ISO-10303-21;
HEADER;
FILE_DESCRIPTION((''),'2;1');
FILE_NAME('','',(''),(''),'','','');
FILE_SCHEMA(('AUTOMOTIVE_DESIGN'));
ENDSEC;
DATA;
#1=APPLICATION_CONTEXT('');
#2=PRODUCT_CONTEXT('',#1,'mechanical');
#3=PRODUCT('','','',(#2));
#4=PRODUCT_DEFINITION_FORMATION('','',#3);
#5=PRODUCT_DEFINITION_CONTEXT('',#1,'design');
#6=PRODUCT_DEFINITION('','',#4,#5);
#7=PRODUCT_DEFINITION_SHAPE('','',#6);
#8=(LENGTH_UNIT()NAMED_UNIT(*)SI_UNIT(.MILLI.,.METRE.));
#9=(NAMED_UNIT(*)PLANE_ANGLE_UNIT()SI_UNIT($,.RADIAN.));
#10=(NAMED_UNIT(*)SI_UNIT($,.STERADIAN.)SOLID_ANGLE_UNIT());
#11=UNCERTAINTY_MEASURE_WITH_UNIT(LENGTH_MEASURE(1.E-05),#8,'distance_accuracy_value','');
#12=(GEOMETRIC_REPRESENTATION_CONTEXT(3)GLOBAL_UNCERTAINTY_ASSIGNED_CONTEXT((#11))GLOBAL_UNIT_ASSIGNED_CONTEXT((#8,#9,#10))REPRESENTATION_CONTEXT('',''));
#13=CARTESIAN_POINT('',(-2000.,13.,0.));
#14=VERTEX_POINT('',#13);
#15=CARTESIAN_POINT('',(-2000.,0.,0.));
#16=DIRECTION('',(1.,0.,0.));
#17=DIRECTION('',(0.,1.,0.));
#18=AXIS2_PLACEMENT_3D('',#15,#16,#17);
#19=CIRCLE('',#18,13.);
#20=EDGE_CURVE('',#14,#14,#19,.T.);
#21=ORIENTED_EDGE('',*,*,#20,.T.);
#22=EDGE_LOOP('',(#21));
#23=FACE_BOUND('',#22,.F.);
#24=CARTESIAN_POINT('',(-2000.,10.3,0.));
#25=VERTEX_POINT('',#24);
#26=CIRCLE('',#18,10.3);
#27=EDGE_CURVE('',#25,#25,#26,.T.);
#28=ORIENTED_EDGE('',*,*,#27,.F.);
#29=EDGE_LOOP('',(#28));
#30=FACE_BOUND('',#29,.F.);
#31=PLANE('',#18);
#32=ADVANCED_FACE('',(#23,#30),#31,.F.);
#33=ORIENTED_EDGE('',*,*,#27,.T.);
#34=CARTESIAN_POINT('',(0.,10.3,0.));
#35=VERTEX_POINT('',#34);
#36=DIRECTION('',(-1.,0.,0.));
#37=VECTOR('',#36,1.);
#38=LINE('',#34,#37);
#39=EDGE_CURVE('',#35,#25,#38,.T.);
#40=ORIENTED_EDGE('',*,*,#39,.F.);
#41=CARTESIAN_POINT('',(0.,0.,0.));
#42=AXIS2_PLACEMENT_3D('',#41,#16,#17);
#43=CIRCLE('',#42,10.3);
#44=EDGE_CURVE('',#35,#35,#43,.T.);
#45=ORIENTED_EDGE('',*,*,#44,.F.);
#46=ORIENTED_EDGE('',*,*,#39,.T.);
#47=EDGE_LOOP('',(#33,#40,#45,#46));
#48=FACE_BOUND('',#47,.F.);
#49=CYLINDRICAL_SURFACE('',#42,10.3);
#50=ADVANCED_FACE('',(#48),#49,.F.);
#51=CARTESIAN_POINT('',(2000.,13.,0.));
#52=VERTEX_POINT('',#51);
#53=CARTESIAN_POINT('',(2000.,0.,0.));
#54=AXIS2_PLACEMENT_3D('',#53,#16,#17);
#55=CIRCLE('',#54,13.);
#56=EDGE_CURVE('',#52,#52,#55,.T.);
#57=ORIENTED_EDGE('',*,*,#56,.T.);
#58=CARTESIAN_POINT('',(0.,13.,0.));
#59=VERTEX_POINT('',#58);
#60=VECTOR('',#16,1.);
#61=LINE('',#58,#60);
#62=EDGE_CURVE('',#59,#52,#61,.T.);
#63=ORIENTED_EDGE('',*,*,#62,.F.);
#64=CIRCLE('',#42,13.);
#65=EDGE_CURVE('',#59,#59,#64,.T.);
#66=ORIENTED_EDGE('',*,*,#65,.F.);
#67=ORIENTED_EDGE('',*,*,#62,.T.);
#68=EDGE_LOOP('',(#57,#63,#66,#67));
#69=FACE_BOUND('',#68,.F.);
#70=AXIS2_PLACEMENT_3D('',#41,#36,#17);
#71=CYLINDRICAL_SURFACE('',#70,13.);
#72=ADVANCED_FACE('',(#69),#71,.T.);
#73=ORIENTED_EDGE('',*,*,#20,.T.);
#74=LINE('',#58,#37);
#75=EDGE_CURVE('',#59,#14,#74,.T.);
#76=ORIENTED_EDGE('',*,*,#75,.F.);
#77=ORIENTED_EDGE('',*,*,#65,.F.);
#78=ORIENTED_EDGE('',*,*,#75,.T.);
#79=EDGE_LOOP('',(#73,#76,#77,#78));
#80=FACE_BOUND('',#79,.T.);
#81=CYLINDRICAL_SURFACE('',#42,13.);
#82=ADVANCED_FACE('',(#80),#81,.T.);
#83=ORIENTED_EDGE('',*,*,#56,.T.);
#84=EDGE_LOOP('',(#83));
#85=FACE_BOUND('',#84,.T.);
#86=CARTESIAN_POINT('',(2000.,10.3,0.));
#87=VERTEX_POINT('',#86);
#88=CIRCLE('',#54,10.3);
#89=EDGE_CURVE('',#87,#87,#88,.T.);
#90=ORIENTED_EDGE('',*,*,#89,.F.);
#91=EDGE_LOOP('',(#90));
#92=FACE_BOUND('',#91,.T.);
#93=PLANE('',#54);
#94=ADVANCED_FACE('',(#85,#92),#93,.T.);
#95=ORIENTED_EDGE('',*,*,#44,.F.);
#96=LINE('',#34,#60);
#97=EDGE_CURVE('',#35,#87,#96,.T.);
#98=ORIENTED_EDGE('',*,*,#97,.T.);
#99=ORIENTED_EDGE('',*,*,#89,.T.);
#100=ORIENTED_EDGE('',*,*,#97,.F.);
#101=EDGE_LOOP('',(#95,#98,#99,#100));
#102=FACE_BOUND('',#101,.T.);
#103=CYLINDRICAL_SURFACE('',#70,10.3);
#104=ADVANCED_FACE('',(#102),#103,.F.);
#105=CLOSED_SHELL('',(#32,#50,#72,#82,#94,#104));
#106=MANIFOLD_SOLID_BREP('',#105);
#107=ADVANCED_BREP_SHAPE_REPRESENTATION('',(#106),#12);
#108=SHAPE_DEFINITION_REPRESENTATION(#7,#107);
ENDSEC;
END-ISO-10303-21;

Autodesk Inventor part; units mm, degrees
ref_plane "XZ Plane" through (0, 0, 0) normal (0, 1, 0) x (-1, 0, 0)
ref_plane "XY Plane" through (0, 0, 0) normal (0, 0, 1) x (1, 0, 0)
sketch "Sketch1" plane through (0, 0, 0) normal (1, 0, 0) x (0, 1, 0)
  circle A0 centre (0, 0) radius 13
  circle A1 centre (0, 0) radius 10.3
  dimension "d0" = 26
  dimension "d1" = 2.7
extrude "Extrusion1" add sketch "Sketch1" along normal mid plane 4000
properties part number "Bottom pipe"
